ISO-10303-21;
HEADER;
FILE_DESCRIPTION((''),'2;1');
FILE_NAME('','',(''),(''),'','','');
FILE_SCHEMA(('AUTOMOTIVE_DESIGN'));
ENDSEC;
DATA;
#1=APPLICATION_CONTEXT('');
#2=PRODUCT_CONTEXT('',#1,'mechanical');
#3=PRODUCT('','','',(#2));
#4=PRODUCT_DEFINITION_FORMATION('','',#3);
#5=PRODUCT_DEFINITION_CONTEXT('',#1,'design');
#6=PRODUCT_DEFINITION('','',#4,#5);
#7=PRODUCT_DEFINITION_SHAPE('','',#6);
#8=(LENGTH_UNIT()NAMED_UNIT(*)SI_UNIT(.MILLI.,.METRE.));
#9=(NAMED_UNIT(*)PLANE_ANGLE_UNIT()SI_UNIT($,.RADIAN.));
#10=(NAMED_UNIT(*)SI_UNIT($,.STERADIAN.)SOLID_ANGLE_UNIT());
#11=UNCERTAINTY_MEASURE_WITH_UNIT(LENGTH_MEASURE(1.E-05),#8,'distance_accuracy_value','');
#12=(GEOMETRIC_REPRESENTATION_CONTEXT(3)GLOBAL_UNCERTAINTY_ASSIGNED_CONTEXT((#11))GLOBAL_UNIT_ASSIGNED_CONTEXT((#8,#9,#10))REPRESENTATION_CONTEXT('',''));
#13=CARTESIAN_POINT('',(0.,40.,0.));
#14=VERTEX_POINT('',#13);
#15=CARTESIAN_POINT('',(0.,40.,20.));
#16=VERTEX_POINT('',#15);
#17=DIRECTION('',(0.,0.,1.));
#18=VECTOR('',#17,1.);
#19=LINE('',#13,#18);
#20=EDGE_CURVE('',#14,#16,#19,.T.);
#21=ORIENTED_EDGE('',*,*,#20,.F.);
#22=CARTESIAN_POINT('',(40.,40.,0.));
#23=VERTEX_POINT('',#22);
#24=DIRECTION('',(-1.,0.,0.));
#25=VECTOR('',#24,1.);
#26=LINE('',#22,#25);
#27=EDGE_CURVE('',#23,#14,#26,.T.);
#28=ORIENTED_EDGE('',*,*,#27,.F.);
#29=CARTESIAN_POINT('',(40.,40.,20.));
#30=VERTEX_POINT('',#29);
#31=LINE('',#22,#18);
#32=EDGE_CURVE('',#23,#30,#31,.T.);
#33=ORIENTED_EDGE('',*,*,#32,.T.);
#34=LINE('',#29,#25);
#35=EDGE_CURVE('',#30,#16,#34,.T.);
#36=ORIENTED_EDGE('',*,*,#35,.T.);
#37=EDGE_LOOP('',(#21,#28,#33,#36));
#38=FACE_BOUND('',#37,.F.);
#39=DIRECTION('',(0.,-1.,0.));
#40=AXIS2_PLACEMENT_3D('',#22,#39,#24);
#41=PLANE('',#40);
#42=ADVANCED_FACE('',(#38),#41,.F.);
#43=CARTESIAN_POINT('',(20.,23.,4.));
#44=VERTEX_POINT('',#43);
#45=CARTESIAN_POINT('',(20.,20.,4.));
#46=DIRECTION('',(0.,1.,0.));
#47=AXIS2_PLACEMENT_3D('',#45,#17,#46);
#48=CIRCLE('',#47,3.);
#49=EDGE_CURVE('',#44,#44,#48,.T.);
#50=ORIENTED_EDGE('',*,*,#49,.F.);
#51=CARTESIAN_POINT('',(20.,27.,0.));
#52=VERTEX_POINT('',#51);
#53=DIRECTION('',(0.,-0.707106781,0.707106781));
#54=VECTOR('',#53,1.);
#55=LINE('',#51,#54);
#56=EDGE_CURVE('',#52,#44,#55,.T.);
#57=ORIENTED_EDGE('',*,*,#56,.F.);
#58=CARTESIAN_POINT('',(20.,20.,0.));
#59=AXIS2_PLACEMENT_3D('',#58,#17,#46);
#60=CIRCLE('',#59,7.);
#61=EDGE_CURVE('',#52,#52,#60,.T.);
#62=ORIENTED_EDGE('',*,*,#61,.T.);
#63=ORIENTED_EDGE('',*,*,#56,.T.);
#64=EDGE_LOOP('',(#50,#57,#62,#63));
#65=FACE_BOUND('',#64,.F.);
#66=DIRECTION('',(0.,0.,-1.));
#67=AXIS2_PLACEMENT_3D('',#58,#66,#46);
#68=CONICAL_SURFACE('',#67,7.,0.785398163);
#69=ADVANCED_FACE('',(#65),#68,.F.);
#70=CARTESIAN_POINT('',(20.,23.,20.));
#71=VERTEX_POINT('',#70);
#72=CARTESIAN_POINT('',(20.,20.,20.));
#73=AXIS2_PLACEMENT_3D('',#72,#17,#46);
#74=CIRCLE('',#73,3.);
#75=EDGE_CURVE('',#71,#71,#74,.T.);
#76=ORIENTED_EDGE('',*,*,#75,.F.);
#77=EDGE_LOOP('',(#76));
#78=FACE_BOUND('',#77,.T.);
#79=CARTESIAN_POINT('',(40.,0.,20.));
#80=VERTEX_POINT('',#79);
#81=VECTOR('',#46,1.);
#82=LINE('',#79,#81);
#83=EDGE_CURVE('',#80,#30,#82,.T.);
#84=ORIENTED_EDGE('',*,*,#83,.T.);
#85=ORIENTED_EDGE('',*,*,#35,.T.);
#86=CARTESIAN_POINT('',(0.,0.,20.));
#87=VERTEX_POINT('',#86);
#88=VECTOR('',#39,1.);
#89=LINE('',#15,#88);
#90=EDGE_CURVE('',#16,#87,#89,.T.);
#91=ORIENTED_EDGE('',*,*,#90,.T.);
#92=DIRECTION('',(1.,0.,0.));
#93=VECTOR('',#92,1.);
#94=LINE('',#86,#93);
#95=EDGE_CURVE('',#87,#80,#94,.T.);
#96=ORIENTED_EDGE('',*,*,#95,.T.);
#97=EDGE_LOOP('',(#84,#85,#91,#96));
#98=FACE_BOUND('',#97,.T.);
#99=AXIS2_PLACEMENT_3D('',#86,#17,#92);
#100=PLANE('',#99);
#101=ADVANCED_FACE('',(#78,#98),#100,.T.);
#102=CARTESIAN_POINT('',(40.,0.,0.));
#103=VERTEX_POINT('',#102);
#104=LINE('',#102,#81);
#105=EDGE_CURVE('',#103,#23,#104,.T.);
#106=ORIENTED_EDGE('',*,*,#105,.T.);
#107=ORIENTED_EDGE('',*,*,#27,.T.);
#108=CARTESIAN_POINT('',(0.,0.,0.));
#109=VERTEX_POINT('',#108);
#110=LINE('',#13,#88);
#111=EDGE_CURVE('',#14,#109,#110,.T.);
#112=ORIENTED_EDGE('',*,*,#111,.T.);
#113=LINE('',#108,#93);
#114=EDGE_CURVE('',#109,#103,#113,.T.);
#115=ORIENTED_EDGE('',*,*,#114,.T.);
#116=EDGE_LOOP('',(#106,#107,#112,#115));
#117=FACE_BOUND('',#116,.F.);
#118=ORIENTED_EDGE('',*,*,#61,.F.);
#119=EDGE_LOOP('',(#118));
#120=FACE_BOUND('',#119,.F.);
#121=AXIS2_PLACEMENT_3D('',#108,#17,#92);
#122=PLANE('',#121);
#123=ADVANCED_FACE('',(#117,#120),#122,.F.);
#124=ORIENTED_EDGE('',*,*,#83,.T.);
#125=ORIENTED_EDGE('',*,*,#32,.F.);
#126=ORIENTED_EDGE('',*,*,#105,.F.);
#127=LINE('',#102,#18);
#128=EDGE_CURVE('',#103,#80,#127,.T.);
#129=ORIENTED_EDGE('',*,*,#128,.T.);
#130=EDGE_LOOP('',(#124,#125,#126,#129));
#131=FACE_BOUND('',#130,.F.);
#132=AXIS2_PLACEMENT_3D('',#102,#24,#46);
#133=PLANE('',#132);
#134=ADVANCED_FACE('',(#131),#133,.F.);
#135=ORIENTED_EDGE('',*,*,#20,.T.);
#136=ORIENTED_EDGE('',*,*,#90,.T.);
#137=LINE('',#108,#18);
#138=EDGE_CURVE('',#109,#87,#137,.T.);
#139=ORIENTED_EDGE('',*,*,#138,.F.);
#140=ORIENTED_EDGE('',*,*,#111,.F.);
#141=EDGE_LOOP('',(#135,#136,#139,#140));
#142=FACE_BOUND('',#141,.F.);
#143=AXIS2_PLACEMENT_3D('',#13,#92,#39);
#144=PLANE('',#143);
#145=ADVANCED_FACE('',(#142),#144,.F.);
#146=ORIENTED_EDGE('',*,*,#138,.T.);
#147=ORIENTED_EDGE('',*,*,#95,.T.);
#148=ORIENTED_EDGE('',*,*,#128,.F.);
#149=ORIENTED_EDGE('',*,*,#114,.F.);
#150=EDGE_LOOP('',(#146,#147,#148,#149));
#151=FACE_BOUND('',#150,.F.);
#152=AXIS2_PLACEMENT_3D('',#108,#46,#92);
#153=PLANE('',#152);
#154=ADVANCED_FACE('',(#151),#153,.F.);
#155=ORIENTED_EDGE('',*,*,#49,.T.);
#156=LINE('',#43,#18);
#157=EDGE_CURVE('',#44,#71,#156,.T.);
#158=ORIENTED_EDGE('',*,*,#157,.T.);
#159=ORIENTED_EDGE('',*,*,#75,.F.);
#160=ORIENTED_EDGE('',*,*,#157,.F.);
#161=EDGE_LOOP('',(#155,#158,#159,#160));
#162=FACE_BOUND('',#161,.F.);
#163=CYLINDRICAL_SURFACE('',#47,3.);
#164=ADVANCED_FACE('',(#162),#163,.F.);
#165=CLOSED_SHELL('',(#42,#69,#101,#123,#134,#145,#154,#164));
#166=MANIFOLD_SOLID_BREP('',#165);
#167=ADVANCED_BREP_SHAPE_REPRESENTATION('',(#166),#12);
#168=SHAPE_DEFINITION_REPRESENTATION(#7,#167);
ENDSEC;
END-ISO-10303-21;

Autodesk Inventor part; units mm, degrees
ref_plane "YZ Plane" through (0, 0, 0) normal (1, 0, 0) x (0, 1, 0)
ref_plane "XZ Plane" through (0, 0, 0) normal (0, 1, 0) x (-1, 0, 0)
ref_plane "XY Plane" through (0, 0, 0) normal (0, 0, 1) x (1, 0, 0)
sketch "Sketch1" plane through (0, 0, 0) normal (0, 0, 1) x (1, 0, 0)
  line L0 (0, 0) -> (40, 0)
  line L1 (40, 0) -> (40, 40)
  line L2 (40, 40) -> (0, 40)
  line L3 (0, 40) -> (0, 0)
extrude "Extrusion1" add sketch "Sketch1" along normal blind 20
sketch "Sketch2" plane through (0, 0, 0) normal (0, 0, 1) x (1, 0, 0)
  point P0 (20, 20)
hole "Hole1" at (20, 20, 0) direction (0, 0, 1) diameter 6 end through all countersink diameter 14 countersink angle 90
properties part number "26_hole_countersink"
